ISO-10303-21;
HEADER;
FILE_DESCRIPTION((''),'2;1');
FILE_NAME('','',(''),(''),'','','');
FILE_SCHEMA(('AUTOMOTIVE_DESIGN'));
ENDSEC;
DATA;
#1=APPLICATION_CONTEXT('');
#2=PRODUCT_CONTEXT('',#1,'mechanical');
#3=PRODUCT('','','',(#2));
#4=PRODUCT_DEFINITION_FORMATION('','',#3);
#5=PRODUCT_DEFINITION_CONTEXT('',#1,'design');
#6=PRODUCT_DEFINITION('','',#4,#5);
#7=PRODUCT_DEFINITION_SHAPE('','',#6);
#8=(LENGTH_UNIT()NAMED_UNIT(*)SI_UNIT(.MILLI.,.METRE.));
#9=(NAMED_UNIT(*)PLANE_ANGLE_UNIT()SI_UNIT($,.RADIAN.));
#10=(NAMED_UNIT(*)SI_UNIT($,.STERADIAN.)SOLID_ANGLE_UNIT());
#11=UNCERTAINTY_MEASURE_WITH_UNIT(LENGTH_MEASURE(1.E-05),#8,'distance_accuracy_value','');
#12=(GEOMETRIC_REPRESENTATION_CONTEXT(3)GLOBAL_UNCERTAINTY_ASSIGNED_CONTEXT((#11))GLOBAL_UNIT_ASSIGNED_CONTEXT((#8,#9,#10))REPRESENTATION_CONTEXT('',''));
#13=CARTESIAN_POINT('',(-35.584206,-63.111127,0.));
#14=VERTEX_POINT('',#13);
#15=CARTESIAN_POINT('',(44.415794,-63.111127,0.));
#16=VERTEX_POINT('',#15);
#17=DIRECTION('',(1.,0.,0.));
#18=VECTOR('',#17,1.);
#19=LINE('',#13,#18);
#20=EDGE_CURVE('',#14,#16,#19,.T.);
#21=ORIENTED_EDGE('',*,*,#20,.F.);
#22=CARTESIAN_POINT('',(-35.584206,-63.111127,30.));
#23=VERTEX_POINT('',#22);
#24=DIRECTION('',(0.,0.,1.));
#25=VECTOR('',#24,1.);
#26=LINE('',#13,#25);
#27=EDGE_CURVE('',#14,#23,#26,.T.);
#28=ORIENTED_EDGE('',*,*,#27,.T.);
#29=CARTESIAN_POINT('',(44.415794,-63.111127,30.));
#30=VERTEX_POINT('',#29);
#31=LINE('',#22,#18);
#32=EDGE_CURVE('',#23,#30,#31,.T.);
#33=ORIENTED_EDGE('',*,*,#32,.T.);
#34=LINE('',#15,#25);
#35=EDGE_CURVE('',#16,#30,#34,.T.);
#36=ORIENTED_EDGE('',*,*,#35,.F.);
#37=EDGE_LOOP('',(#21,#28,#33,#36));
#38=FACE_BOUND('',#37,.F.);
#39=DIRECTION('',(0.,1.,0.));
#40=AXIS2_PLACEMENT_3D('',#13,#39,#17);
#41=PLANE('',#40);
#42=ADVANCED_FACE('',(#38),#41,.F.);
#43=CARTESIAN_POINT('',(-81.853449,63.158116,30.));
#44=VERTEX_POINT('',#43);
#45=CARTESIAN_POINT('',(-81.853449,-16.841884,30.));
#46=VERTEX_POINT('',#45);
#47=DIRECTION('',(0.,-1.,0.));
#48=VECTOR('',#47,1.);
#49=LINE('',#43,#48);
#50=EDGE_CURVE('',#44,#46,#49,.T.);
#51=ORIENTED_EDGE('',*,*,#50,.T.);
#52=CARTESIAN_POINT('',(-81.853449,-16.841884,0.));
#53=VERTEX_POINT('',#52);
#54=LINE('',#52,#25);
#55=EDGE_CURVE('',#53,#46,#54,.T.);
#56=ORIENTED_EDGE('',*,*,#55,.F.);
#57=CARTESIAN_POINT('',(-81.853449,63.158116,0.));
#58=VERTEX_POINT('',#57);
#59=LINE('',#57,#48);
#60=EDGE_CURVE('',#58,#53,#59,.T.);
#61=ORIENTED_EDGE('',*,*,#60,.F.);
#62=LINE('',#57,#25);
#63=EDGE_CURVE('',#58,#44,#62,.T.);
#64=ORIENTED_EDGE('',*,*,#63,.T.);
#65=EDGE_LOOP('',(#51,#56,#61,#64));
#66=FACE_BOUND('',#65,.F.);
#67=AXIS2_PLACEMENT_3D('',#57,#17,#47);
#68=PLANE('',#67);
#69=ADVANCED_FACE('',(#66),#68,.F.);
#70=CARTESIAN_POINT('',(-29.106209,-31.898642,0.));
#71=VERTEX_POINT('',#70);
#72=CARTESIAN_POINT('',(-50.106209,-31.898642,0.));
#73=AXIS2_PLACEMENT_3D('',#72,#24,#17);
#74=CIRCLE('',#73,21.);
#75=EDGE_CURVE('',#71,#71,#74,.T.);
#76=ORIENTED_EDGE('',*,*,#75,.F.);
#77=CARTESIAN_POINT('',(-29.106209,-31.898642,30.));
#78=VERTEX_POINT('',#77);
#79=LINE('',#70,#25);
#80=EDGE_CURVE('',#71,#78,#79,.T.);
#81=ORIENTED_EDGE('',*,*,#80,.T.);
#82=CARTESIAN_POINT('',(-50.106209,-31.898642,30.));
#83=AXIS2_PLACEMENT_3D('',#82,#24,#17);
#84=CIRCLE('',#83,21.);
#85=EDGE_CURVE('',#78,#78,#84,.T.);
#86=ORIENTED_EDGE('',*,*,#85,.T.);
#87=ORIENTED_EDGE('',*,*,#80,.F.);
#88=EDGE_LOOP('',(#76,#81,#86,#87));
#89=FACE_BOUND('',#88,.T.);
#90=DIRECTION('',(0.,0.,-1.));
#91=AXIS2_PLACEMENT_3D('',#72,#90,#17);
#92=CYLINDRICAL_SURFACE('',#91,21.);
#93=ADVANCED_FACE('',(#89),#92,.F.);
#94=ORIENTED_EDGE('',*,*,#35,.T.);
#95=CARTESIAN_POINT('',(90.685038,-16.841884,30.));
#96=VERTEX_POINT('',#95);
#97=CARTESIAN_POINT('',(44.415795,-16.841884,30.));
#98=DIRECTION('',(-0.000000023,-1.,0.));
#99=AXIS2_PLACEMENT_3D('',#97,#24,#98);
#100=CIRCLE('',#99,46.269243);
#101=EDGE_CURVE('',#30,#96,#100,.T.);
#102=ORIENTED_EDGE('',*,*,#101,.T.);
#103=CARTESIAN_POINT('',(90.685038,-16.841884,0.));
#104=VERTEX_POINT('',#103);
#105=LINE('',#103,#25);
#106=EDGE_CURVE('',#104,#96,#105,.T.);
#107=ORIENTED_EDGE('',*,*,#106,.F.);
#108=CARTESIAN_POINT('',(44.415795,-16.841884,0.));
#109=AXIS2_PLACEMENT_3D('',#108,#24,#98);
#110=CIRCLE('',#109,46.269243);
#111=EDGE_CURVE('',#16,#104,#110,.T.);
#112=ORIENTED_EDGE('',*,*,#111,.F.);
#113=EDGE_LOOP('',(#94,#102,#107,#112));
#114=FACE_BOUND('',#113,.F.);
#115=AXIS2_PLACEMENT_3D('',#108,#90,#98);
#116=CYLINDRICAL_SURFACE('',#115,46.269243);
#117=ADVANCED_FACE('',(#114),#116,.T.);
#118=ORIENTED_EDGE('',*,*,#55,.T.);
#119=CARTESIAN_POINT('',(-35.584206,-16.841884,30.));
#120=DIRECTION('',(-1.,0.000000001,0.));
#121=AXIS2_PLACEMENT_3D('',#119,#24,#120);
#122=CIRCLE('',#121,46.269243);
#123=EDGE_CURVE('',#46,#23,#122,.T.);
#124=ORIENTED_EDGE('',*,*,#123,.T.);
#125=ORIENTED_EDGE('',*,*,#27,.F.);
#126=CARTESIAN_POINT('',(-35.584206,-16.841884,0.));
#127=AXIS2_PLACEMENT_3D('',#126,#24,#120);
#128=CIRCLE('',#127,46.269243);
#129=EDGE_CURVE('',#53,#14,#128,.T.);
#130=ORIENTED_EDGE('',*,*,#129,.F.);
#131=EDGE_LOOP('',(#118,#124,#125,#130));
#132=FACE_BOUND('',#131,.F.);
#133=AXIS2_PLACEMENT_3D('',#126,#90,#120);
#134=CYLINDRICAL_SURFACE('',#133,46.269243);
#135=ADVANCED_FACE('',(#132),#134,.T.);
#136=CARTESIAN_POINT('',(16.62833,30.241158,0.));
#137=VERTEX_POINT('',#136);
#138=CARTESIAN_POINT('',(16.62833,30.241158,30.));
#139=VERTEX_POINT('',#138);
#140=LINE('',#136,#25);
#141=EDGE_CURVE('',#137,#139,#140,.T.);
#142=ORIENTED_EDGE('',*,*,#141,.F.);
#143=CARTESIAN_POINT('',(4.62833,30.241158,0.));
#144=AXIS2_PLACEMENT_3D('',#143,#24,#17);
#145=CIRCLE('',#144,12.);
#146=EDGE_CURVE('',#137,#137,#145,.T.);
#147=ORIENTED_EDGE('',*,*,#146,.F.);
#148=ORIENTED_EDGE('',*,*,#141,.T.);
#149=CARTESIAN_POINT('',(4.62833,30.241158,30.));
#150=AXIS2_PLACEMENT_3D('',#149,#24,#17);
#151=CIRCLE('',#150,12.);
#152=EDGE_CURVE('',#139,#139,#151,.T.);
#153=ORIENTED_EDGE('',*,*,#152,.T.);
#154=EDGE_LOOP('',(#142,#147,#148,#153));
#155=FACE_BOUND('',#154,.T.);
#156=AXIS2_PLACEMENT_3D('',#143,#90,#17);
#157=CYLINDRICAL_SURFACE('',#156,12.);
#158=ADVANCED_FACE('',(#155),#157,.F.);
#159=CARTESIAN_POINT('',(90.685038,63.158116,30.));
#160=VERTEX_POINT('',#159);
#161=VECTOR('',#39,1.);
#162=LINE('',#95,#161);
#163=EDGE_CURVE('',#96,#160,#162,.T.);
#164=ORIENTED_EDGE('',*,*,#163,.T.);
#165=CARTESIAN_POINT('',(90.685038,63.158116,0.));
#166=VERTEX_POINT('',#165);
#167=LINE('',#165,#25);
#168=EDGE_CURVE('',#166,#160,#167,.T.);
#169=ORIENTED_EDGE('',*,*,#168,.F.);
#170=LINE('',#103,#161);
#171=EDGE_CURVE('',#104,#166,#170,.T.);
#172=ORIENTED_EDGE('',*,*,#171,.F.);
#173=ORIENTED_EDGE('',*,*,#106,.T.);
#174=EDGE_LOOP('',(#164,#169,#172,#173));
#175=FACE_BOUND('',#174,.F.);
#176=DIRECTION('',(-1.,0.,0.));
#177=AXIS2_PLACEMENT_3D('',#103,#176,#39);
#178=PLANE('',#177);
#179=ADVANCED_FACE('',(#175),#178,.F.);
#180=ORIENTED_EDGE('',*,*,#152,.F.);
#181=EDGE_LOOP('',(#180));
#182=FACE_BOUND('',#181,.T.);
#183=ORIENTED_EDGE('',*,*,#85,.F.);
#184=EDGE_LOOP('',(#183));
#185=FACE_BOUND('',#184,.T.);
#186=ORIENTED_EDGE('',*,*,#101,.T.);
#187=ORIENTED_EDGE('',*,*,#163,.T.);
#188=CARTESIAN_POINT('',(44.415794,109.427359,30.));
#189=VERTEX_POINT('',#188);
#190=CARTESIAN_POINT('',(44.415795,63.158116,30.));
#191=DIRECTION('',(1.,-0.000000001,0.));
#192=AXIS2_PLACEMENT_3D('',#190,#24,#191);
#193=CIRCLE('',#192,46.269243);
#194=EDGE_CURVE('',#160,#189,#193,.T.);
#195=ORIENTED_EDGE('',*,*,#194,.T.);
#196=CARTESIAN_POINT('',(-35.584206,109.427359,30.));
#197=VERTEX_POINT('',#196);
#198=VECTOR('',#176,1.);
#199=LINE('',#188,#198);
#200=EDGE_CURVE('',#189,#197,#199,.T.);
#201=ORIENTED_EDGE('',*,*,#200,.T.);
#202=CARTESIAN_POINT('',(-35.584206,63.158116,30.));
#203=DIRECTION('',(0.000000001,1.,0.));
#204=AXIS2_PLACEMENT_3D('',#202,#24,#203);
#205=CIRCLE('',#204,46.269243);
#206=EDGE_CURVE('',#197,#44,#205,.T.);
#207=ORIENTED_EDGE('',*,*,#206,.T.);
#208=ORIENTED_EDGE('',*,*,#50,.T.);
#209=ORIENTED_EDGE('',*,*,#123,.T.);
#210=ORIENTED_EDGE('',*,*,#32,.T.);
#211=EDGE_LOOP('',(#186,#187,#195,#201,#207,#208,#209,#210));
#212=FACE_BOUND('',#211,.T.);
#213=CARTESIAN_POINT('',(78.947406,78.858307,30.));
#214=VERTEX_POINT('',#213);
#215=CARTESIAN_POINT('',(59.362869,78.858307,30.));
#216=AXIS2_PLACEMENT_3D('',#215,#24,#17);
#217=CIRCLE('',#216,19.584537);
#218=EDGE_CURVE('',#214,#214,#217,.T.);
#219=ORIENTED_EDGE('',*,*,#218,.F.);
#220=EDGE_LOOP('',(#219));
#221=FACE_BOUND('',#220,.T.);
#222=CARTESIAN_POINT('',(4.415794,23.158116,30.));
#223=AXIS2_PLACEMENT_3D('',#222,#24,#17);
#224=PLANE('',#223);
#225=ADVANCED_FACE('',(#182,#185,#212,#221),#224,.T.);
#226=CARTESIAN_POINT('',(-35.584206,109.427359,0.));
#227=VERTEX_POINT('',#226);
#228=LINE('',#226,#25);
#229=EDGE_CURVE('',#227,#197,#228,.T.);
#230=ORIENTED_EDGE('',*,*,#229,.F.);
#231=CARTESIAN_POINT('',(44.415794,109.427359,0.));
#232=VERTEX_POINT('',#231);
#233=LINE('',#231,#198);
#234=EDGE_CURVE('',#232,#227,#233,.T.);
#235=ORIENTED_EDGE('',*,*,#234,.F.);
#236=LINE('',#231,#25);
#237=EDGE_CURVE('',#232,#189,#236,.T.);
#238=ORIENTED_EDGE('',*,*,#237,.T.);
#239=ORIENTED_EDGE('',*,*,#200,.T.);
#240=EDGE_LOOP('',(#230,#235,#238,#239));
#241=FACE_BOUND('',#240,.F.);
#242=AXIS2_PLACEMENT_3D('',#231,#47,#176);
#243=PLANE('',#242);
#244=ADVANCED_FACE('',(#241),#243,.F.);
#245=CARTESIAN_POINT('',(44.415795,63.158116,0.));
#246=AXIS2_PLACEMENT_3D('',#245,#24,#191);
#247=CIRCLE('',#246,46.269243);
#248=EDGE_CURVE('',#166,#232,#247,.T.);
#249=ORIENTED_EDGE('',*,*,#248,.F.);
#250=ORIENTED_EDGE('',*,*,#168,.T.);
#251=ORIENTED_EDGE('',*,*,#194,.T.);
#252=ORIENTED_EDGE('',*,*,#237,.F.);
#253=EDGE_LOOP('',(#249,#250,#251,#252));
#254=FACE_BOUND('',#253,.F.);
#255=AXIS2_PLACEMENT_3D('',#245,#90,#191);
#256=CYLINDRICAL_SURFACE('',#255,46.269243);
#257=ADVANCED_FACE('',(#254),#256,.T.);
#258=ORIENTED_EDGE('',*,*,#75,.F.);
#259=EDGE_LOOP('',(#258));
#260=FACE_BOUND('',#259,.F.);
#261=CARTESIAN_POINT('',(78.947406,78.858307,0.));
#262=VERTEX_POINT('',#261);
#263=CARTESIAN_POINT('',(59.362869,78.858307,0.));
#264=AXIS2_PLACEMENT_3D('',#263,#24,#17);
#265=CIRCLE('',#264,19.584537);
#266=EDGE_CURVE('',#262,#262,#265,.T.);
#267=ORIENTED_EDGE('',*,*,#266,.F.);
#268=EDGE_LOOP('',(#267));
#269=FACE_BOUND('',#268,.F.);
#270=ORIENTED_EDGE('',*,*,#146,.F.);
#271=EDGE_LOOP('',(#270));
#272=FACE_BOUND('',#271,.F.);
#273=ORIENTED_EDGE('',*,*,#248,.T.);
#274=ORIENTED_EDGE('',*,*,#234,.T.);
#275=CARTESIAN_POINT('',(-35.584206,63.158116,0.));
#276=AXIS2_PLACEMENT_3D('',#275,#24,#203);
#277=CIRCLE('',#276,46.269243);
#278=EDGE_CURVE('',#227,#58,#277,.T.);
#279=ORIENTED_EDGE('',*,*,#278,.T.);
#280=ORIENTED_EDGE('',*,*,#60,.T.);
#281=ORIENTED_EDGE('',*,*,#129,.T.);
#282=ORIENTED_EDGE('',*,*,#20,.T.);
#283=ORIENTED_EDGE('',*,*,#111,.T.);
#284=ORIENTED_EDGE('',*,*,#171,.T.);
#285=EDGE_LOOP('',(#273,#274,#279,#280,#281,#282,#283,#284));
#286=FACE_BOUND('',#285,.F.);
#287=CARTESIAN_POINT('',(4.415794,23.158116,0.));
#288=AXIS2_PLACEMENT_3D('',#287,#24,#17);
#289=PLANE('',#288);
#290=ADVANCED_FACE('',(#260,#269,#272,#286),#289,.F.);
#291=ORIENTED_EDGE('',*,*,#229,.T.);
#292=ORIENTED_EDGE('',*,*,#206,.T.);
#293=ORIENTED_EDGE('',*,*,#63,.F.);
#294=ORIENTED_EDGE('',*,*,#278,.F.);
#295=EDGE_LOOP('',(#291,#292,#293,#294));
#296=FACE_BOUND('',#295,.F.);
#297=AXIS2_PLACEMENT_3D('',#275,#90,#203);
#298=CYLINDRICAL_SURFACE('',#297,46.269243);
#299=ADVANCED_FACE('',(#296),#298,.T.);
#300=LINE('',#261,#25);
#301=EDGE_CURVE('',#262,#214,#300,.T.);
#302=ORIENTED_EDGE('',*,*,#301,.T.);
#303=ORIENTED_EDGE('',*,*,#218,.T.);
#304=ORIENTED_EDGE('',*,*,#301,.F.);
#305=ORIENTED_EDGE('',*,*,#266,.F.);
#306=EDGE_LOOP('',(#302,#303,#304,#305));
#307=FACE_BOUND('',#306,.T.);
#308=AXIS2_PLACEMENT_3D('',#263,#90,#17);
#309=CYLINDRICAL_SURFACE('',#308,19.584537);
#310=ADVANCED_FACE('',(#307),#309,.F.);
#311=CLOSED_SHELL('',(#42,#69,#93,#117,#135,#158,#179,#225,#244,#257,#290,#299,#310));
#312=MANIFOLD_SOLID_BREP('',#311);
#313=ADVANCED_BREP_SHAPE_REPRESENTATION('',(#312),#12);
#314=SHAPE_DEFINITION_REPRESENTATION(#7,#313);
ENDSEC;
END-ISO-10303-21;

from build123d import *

# Parameters (mm, degrees)
SKETCH_R     = 12
SKETCH_R_2   = 21
SKETCH_R_3   = 19.584537
PAD_DEPTH    = 30
PAD001_DEPTH = 30


with BuildPart() as part:
    # Sketch → Pad (new body)
    with BuildSketch(Plane.XY):
        with BuildLine():
            Line((-35.584206, -63.111127), (44.415794, -63.111127))
            ThreePointArc((44.415794, -63.111127), (77.13309, -49.55918), (90.685038, -16.841884))
            Line((90.685038, -16.841884), (90.685038, 63.158116))
            ThreePointArc((90.685038, 63.158116), (77.13309, 95.875412), (44.415794, 109.427359))
            Line((44.415794, 109.427359), (-35.584206, 109.427359))
            ThreePointArc((-35.584206, 109.427359), (-68.301501, 95.875412), (-81.853449, 63.158116))
            Line((-81.853449, 63.158116), (-81.853449, -16.841884))
            ThreePointArc((-81.853449, -16.841884), (-68.301501, -49.55918), (-35.584206, -63.111127))
        make_face()
        with Locations((4.62833, 30.241158)):
            Circle(SKETCH_R, mode=Mode.SUBTRACT)
        with Locations((-50.106209, -31.898642)):
            Circle(SKETCH_R_2, mode=Mode.SUBTRACT)
        with Locations((59.362869, 78.858307)):
            Circle(SKETCH_R_3, mode=Mode.SUBTRACT)
    extrude(amount=PAD_DEPTH)

    # Sketch → Pad001 (join)
    with BuildSketch(Plane.XY):
        with BuildLine():
            Line((-35.584206, -63.111127), (44.415794, -63.111127))
            ThreePointArc((44.415794, -63.111127), (77.13309, -49.55918), (90.685038, -16.841884))
            Line((90.685038, -16.841884), (90.685038, 63.158116))
            ThreePointArc((90.685038, 63.158116), (77.13309, 95.875412), (44.415794, 109.427359))
            Line((44.415794, 109.427359), (-35.584206, 109.427359))
            ThreePointArc((-35.584206, 109.427359), (-68.301501, 95.875412), (-81.853449, 63.158116))
            Line((-81.853449, 63.158116), (-81.853449, -16.841884))
            ThreePointArc((-81.853449, -16.841884), (-68.301501, -49.55918), (-35.584206, -63.111127))
        make_face()
        with Locations((4.62833, 30.241158)):
            Circle(SKETCH_R, mode=Mode.SUBTRACT)
        with Locations((-50.106209, -31.898642)):
            Circle(SKETCH_R_2, mode=Mode.SUBTRACT)
        with Locations((59.362869, 78.858307)):
            Circle(SKETCH_R_3, mode=Mode.SUBTRACT)
    extrude(amount=PAD001_DEPTH)


solid = part.part
